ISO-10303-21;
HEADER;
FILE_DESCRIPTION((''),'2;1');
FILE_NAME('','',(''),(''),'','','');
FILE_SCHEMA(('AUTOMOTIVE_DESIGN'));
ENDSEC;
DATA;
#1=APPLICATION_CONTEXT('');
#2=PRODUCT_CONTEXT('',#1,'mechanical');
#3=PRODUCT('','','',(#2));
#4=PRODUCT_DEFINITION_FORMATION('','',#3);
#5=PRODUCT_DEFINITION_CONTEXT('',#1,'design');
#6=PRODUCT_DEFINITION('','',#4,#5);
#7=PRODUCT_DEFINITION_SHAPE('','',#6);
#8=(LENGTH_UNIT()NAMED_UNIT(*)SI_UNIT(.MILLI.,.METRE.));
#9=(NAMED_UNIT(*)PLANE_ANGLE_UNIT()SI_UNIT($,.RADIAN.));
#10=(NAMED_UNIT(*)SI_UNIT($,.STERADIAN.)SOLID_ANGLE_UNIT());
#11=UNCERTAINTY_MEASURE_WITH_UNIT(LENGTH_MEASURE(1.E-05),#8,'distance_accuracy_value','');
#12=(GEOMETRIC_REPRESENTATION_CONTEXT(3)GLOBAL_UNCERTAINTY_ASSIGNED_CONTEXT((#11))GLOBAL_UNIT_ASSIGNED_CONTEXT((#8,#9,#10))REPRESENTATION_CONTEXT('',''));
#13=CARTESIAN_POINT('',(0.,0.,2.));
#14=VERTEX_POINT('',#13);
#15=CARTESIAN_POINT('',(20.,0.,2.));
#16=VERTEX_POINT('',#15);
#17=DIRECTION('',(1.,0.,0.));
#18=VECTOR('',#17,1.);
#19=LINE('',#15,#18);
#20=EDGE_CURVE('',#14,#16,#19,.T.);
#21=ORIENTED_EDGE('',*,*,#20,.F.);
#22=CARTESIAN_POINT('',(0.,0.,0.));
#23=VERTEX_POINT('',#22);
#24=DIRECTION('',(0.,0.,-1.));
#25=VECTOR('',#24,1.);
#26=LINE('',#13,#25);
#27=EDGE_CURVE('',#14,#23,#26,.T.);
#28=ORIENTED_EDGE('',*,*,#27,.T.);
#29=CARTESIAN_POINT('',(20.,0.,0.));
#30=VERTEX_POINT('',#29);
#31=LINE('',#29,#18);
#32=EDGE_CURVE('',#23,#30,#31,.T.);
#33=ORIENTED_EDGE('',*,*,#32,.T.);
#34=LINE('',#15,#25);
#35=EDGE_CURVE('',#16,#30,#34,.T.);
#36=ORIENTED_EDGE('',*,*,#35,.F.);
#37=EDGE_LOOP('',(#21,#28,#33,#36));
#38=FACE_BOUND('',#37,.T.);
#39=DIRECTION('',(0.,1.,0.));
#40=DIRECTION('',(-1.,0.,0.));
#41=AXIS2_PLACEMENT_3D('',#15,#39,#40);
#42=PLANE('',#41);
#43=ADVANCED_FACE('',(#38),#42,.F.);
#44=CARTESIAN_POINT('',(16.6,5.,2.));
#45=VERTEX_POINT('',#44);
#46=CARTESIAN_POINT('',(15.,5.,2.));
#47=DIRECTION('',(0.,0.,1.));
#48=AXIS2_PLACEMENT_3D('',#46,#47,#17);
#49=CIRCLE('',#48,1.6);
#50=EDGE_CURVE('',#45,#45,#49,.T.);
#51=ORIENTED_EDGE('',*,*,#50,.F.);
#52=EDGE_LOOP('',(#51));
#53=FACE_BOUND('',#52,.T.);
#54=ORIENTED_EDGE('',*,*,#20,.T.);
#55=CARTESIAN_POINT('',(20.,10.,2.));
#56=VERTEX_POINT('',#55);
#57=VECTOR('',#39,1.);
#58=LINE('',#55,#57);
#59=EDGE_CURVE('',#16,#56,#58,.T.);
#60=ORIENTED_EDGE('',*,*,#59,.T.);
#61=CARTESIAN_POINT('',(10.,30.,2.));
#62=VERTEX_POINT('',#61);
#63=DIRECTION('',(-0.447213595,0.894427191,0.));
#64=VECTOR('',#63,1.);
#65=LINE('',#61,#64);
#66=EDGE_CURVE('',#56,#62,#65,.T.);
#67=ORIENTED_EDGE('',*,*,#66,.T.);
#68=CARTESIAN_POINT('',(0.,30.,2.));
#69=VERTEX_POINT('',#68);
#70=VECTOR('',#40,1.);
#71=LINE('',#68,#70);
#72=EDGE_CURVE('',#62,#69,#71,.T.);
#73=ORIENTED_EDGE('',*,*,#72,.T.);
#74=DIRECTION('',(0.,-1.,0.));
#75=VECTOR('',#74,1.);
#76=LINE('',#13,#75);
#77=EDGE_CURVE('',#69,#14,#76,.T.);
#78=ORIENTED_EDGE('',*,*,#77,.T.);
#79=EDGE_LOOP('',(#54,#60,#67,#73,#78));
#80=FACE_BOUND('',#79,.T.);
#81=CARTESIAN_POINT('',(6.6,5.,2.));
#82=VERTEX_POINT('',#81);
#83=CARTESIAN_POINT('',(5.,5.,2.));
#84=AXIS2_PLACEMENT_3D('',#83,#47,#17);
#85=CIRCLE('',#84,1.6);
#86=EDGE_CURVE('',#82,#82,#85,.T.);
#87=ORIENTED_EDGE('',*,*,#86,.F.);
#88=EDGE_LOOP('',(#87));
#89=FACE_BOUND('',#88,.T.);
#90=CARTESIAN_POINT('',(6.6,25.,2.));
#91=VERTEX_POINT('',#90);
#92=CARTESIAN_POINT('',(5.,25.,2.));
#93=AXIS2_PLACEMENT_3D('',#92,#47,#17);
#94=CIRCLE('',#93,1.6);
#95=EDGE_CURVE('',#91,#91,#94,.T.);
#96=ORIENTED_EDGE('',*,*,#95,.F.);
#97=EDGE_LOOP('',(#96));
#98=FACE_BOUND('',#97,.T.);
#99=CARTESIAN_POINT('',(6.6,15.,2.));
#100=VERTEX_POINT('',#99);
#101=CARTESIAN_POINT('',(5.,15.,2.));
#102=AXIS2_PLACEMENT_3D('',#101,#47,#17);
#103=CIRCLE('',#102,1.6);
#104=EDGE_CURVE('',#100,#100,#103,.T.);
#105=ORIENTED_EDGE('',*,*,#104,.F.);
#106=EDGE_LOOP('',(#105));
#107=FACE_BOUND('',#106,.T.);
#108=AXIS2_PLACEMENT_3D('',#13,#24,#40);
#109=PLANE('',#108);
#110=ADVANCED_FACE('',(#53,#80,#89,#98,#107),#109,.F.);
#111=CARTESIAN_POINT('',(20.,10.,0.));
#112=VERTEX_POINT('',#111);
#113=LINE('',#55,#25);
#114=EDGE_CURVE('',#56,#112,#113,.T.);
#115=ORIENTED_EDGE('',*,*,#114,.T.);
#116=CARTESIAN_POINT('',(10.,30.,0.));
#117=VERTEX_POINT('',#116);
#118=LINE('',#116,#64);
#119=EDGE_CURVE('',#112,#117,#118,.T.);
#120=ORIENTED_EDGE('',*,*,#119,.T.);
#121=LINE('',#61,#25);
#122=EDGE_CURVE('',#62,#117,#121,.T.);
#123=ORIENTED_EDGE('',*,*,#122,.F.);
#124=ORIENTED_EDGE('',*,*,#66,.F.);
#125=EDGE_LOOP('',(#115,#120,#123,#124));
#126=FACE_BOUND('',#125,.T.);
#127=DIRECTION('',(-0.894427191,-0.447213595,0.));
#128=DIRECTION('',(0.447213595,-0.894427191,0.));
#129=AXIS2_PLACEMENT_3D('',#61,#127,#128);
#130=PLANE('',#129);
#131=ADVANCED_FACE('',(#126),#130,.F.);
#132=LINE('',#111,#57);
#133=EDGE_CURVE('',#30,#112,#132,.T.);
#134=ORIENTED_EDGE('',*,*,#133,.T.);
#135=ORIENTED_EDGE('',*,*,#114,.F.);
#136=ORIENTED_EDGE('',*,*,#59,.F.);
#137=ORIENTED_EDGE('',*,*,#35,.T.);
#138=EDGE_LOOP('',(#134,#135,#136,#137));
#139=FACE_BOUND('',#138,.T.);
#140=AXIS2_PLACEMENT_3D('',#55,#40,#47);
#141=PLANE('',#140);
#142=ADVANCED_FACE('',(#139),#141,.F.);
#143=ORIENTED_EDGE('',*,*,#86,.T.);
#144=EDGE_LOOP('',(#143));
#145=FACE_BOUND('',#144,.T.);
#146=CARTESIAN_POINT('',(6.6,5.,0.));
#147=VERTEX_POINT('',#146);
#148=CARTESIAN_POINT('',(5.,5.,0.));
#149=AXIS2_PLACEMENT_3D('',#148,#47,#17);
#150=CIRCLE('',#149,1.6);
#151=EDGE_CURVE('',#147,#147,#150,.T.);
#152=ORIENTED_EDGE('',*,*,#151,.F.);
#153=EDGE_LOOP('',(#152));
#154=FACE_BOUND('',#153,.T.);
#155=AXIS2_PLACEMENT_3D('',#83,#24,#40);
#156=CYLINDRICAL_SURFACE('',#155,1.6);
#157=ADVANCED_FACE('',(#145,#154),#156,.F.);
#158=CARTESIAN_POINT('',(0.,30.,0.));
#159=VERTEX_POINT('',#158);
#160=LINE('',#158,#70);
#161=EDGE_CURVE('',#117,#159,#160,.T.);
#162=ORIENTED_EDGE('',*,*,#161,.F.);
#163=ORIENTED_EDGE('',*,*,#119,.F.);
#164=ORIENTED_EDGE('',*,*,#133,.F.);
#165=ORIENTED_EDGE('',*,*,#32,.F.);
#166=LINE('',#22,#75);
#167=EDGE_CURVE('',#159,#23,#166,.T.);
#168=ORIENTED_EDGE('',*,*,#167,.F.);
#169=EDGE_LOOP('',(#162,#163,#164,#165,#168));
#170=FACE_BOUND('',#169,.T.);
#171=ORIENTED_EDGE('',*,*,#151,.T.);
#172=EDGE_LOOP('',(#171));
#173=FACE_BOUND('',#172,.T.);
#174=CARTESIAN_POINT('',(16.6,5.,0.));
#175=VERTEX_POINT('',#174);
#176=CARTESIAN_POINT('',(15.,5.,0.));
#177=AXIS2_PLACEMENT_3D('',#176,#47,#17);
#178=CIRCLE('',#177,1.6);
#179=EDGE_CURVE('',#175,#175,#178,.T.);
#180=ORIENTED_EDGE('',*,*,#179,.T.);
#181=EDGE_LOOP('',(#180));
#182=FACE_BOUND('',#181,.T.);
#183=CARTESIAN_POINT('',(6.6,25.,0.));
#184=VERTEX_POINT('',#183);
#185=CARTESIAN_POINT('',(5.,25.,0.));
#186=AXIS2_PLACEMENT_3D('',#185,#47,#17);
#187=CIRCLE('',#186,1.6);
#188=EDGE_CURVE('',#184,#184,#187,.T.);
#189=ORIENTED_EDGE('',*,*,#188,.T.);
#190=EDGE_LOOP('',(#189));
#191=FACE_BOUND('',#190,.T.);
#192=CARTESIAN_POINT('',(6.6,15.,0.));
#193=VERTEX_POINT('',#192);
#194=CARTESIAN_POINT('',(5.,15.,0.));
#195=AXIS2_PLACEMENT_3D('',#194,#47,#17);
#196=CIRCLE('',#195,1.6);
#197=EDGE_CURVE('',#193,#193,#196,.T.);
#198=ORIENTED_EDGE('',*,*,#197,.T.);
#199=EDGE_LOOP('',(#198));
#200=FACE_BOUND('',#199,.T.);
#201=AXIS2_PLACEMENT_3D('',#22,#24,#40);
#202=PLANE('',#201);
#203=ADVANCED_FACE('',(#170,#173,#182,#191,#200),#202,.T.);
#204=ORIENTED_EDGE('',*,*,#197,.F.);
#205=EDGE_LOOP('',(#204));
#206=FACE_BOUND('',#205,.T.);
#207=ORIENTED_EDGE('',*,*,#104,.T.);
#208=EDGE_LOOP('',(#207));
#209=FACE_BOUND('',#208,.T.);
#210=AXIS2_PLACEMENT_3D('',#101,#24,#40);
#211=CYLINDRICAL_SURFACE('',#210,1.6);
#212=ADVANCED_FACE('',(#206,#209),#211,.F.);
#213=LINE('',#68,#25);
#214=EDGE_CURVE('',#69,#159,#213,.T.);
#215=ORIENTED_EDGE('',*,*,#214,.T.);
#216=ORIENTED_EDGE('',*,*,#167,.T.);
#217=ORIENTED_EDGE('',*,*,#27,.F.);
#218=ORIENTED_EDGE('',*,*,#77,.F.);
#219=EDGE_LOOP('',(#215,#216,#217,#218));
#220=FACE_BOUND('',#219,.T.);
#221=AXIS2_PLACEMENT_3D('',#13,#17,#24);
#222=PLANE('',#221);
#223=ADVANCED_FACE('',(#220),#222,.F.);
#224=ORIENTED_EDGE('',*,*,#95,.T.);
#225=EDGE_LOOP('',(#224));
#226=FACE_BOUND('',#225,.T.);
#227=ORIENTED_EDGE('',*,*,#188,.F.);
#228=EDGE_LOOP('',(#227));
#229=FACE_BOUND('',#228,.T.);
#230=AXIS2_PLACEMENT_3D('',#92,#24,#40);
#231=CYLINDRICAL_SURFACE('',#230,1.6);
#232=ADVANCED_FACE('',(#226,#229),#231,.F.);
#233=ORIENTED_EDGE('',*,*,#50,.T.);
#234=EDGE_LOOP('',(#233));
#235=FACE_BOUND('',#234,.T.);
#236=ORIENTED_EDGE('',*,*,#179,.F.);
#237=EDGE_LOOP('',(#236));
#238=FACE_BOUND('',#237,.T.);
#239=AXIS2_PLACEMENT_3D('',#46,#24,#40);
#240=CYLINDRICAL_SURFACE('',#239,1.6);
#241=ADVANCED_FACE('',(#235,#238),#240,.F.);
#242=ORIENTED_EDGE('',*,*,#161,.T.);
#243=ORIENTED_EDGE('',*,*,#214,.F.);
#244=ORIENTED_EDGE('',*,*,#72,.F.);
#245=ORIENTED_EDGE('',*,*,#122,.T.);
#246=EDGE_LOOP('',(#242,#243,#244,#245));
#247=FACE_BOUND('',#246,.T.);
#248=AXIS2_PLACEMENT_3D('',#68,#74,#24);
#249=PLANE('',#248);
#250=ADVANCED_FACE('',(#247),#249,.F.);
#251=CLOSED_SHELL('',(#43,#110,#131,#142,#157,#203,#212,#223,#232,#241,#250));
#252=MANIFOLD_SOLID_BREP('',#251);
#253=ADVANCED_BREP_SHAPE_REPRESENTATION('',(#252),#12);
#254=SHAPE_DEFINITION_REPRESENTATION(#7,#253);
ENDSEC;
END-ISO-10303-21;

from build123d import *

# Parameters (mm, degrees)
SKETCH_1_R      = 1.6
EXTRUDE_1_DEPTH = 2


with BuildPart() as part:
    # ｽｹｯﾁ1 → ﾎﾞｽ - 押し出し1 (new body)
    with BuildSketch(Plane.XY):
        Polygon((0, 0), (0, 30), (10, 30), (20, 10), (20, 0), align=None)
        with Locations((5, 25)):
            Circle(SKETCH_1_R, mode=Mode.SUBTRACT)
        with Locations((5, 15)):
            Circle(SKETCH_1_R, mode=Mode.SUBTRACT)
        with Locations((5, 5)):
            Circle(SKETCH_1_R, mode=Mode.SUBTRACT)
        with Locations((15, 5)):
            Circle(SKETCH_1_R, mode=Mode.SUBTRACT)
    extrude(amount=EXTRUDE_1_DEPTH)


solid = part.part
